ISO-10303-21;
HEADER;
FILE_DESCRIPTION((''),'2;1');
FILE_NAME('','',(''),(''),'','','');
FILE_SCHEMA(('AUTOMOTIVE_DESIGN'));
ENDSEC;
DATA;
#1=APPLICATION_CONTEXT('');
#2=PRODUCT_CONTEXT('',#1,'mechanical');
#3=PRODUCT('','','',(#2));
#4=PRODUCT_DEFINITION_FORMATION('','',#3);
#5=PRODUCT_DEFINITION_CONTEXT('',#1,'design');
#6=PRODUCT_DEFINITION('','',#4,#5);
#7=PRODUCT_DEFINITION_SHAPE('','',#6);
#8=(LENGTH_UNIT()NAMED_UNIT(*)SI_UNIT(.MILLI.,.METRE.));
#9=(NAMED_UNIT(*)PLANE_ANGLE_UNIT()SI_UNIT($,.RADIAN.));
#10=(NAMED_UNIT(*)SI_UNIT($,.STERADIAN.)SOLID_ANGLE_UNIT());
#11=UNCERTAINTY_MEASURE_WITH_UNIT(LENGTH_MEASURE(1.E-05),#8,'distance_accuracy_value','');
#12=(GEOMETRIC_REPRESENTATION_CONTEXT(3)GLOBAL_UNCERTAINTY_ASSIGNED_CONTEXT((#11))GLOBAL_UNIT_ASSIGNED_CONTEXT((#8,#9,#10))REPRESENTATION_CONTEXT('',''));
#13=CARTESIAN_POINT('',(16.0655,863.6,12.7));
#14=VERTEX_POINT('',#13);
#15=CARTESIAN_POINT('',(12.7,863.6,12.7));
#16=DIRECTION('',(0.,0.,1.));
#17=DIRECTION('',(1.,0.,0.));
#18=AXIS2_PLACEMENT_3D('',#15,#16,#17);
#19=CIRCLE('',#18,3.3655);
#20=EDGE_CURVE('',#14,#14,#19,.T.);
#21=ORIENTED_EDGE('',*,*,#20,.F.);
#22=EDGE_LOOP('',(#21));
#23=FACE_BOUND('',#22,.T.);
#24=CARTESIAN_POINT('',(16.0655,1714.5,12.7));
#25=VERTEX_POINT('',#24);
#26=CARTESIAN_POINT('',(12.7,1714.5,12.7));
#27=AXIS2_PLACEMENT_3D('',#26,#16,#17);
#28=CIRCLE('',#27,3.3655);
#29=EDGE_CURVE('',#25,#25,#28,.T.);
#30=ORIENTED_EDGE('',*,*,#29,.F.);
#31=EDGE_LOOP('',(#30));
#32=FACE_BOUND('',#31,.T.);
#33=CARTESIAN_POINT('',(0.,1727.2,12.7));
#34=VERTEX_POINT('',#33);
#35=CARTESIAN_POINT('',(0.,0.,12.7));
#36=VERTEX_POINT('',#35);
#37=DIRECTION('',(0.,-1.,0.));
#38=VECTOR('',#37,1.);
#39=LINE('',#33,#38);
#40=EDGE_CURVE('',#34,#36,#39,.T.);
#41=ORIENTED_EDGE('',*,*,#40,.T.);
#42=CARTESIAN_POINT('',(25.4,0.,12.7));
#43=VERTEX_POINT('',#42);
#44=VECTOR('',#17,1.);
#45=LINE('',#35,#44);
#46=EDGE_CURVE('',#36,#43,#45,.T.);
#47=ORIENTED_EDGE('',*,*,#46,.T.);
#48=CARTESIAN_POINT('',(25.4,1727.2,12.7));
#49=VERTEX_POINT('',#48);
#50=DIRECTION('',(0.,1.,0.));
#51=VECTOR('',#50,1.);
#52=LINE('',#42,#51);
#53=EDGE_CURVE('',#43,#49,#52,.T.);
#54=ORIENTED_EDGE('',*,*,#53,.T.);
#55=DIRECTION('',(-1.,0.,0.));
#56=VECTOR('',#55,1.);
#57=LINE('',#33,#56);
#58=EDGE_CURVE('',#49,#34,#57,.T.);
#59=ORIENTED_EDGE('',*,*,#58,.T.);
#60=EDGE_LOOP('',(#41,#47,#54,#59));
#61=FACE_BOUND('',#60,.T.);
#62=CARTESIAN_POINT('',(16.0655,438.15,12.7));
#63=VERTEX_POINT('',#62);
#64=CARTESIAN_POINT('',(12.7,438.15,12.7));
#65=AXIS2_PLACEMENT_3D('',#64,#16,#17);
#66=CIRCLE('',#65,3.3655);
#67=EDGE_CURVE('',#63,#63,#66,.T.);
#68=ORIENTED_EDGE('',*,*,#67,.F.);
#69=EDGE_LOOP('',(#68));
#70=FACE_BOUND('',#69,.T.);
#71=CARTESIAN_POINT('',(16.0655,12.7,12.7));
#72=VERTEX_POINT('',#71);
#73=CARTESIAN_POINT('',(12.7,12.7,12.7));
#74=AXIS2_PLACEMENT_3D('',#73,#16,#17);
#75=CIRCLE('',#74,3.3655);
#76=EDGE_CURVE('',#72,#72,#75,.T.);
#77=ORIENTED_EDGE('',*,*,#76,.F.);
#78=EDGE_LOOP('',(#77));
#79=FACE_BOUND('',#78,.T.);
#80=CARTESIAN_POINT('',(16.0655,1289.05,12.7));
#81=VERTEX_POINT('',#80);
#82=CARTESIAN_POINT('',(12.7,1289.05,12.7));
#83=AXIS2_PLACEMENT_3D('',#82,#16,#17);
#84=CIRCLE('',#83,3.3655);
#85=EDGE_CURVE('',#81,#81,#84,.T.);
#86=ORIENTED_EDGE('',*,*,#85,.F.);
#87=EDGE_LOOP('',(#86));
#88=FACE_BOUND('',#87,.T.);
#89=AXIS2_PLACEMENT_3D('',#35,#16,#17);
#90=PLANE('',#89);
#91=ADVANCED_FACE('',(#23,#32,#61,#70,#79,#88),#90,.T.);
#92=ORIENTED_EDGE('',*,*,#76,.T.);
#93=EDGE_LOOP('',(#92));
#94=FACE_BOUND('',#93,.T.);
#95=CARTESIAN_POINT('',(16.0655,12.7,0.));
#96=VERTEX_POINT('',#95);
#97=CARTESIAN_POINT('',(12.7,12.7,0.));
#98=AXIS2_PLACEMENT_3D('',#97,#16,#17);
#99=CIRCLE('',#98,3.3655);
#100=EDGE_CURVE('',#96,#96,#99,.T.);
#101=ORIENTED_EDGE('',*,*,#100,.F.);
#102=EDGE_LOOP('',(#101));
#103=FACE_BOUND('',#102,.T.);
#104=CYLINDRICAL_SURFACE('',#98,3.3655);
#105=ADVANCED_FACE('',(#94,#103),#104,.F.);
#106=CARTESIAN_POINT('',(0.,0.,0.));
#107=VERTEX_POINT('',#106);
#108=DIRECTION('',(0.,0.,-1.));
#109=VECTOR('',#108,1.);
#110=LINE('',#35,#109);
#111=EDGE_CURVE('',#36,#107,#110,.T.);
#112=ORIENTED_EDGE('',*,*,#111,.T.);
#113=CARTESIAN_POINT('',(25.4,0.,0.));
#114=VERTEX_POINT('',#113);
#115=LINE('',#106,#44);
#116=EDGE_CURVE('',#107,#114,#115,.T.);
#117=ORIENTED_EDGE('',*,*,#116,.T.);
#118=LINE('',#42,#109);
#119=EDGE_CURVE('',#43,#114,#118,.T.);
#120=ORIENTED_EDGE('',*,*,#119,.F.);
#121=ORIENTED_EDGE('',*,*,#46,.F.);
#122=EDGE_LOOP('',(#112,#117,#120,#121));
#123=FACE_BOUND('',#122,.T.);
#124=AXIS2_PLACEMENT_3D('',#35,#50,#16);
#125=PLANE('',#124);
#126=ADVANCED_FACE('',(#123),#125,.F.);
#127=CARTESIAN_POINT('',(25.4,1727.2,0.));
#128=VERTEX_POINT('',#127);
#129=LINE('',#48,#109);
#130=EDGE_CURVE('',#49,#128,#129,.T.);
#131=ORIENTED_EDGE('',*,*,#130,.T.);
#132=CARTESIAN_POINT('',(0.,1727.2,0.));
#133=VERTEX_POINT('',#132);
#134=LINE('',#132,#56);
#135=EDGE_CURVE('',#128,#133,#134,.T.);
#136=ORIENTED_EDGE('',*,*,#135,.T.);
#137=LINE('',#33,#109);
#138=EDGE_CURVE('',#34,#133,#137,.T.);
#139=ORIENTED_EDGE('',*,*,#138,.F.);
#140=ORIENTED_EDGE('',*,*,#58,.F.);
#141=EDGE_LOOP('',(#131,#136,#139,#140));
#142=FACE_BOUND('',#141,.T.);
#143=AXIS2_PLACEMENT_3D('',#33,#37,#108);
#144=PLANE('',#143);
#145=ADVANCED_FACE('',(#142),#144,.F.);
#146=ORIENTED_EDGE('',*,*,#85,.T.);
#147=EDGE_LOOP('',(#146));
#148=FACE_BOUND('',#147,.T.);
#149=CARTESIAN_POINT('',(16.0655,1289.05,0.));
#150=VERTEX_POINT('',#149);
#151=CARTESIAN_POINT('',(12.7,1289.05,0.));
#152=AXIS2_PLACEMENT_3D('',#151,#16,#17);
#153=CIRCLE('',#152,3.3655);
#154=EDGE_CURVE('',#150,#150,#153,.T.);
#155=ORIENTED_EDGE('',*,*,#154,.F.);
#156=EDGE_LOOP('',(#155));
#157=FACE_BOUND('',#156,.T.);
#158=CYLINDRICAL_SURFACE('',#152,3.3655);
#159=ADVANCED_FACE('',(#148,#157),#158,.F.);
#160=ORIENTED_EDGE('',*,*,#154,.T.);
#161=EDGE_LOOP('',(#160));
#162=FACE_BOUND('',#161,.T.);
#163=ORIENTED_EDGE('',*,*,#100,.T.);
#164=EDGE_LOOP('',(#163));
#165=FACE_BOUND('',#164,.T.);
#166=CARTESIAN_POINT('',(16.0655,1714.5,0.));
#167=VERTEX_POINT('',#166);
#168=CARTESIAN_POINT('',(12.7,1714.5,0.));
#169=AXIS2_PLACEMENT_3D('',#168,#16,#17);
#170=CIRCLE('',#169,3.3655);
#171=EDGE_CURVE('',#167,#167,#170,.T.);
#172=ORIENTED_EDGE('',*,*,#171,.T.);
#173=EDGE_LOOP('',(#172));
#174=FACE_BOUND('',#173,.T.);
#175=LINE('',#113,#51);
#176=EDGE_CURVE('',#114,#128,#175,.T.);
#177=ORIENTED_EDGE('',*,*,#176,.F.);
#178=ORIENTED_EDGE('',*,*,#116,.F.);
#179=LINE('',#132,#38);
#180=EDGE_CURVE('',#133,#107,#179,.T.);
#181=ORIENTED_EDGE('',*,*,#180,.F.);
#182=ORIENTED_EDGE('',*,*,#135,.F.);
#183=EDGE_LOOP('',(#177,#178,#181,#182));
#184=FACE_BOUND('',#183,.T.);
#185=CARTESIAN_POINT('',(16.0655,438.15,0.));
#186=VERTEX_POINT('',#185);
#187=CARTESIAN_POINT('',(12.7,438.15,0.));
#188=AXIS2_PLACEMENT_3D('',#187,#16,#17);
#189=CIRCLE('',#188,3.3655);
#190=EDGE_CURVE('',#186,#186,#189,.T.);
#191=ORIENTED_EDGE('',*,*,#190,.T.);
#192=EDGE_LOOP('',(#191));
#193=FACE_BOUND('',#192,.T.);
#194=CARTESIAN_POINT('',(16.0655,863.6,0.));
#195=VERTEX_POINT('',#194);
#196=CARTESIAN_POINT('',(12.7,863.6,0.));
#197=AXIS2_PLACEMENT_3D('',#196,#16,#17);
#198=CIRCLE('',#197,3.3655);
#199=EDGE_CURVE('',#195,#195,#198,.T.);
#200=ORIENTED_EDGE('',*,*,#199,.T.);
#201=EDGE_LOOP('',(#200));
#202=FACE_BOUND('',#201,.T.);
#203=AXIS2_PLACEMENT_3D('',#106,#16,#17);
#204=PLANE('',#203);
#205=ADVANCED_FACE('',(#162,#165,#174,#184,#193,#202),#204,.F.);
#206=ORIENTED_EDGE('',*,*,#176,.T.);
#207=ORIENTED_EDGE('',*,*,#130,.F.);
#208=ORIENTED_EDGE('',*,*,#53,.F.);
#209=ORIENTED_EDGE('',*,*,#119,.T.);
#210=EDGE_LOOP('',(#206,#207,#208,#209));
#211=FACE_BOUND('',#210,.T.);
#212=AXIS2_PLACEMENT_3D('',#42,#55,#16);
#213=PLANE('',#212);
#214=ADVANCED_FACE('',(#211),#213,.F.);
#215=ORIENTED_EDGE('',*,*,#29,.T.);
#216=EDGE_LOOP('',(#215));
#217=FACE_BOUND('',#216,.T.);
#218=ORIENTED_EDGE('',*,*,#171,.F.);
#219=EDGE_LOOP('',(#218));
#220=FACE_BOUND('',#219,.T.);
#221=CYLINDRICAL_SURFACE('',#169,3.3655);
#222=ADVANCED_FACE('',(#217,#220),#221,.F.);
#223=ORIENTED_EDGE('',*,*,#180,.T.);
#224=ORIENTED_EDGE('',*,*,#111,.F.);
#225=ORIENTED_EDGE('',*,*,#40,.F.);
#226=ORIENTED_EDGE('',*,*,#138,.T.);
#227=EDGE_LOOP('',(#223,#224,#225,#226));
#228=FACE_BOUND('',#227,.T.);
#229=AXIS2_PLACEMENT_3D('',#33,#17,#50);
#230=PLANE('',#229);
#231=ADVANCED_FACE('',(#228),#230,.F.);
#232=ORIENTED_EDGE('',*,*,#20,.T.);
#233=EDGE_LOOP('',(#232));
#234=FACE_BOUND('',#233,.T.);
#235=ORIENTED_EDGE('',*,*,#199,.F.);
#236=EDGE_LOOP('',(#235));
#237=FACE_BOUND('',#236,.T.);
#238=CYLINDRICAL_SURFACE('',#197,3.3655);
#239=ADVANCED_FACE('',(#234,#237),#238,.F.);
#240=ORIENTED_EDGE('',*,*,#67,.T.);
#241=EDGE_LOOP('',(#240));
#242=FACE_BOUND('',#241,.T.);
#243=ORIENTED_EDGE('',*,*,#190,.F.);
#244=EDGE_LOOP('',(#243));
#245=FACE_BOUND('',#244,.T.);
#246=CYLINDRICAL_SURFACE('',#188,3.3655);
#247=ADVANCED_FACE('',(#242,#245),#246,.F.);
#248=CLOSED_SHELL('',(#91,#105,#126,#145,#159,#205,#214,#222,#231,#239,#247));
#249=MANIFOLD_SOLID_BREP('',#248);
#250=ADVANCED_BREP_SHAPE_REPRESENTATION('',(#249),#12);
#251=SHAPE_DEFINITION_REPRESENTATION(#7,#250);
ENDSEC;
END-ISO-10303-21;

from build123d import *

# Parameters (mm, degrees)
SKETCH1_W           = 25.4
SKETCH1_H           = 1727.2
BOSS_EXTRUDE1_DEPTH = 12.7
SKETCH2_R           = 3.3655
CUT_EXTRUDE1_DEPTH  = 13.7
LPATTERN1_COUNT     = 5
LPATTERN1_PITCH     = 425.45


with BuildPart() as part:
    # Sketch1 → Boss-Extrude1 (new body)
    with BuildSketch(Plane.XY):
        with Locations((12.7, 863.6)):
            Rectangle(SKETCH1_W, SKETCH1_H)
    extrude(amount=BOSS_EXTRUDE1_DEPTH)

    # Sketch2 → Cut-Extrude1 (cut, through all)
    with BuildSketch(Plane.XY.offset(12.7)):
        with Locations((12.7, 12.7)):
            Circle(SKETCH2_R)
    cut_extrude1 = extrude(amount=-CUT_EXTRUDE1_DEPTH, mode=Mode.SUBTRACT)

    # LPattern1: Cut-Extrude1 ×5
    with Locations(*[(0, i * LPATTERN1_PITCH, 0) for i in range(1, LPATTERN1_COUNT)]):
        add(cut_extrude1, mode=Mode.SUBTRACT)


solid = part.part
